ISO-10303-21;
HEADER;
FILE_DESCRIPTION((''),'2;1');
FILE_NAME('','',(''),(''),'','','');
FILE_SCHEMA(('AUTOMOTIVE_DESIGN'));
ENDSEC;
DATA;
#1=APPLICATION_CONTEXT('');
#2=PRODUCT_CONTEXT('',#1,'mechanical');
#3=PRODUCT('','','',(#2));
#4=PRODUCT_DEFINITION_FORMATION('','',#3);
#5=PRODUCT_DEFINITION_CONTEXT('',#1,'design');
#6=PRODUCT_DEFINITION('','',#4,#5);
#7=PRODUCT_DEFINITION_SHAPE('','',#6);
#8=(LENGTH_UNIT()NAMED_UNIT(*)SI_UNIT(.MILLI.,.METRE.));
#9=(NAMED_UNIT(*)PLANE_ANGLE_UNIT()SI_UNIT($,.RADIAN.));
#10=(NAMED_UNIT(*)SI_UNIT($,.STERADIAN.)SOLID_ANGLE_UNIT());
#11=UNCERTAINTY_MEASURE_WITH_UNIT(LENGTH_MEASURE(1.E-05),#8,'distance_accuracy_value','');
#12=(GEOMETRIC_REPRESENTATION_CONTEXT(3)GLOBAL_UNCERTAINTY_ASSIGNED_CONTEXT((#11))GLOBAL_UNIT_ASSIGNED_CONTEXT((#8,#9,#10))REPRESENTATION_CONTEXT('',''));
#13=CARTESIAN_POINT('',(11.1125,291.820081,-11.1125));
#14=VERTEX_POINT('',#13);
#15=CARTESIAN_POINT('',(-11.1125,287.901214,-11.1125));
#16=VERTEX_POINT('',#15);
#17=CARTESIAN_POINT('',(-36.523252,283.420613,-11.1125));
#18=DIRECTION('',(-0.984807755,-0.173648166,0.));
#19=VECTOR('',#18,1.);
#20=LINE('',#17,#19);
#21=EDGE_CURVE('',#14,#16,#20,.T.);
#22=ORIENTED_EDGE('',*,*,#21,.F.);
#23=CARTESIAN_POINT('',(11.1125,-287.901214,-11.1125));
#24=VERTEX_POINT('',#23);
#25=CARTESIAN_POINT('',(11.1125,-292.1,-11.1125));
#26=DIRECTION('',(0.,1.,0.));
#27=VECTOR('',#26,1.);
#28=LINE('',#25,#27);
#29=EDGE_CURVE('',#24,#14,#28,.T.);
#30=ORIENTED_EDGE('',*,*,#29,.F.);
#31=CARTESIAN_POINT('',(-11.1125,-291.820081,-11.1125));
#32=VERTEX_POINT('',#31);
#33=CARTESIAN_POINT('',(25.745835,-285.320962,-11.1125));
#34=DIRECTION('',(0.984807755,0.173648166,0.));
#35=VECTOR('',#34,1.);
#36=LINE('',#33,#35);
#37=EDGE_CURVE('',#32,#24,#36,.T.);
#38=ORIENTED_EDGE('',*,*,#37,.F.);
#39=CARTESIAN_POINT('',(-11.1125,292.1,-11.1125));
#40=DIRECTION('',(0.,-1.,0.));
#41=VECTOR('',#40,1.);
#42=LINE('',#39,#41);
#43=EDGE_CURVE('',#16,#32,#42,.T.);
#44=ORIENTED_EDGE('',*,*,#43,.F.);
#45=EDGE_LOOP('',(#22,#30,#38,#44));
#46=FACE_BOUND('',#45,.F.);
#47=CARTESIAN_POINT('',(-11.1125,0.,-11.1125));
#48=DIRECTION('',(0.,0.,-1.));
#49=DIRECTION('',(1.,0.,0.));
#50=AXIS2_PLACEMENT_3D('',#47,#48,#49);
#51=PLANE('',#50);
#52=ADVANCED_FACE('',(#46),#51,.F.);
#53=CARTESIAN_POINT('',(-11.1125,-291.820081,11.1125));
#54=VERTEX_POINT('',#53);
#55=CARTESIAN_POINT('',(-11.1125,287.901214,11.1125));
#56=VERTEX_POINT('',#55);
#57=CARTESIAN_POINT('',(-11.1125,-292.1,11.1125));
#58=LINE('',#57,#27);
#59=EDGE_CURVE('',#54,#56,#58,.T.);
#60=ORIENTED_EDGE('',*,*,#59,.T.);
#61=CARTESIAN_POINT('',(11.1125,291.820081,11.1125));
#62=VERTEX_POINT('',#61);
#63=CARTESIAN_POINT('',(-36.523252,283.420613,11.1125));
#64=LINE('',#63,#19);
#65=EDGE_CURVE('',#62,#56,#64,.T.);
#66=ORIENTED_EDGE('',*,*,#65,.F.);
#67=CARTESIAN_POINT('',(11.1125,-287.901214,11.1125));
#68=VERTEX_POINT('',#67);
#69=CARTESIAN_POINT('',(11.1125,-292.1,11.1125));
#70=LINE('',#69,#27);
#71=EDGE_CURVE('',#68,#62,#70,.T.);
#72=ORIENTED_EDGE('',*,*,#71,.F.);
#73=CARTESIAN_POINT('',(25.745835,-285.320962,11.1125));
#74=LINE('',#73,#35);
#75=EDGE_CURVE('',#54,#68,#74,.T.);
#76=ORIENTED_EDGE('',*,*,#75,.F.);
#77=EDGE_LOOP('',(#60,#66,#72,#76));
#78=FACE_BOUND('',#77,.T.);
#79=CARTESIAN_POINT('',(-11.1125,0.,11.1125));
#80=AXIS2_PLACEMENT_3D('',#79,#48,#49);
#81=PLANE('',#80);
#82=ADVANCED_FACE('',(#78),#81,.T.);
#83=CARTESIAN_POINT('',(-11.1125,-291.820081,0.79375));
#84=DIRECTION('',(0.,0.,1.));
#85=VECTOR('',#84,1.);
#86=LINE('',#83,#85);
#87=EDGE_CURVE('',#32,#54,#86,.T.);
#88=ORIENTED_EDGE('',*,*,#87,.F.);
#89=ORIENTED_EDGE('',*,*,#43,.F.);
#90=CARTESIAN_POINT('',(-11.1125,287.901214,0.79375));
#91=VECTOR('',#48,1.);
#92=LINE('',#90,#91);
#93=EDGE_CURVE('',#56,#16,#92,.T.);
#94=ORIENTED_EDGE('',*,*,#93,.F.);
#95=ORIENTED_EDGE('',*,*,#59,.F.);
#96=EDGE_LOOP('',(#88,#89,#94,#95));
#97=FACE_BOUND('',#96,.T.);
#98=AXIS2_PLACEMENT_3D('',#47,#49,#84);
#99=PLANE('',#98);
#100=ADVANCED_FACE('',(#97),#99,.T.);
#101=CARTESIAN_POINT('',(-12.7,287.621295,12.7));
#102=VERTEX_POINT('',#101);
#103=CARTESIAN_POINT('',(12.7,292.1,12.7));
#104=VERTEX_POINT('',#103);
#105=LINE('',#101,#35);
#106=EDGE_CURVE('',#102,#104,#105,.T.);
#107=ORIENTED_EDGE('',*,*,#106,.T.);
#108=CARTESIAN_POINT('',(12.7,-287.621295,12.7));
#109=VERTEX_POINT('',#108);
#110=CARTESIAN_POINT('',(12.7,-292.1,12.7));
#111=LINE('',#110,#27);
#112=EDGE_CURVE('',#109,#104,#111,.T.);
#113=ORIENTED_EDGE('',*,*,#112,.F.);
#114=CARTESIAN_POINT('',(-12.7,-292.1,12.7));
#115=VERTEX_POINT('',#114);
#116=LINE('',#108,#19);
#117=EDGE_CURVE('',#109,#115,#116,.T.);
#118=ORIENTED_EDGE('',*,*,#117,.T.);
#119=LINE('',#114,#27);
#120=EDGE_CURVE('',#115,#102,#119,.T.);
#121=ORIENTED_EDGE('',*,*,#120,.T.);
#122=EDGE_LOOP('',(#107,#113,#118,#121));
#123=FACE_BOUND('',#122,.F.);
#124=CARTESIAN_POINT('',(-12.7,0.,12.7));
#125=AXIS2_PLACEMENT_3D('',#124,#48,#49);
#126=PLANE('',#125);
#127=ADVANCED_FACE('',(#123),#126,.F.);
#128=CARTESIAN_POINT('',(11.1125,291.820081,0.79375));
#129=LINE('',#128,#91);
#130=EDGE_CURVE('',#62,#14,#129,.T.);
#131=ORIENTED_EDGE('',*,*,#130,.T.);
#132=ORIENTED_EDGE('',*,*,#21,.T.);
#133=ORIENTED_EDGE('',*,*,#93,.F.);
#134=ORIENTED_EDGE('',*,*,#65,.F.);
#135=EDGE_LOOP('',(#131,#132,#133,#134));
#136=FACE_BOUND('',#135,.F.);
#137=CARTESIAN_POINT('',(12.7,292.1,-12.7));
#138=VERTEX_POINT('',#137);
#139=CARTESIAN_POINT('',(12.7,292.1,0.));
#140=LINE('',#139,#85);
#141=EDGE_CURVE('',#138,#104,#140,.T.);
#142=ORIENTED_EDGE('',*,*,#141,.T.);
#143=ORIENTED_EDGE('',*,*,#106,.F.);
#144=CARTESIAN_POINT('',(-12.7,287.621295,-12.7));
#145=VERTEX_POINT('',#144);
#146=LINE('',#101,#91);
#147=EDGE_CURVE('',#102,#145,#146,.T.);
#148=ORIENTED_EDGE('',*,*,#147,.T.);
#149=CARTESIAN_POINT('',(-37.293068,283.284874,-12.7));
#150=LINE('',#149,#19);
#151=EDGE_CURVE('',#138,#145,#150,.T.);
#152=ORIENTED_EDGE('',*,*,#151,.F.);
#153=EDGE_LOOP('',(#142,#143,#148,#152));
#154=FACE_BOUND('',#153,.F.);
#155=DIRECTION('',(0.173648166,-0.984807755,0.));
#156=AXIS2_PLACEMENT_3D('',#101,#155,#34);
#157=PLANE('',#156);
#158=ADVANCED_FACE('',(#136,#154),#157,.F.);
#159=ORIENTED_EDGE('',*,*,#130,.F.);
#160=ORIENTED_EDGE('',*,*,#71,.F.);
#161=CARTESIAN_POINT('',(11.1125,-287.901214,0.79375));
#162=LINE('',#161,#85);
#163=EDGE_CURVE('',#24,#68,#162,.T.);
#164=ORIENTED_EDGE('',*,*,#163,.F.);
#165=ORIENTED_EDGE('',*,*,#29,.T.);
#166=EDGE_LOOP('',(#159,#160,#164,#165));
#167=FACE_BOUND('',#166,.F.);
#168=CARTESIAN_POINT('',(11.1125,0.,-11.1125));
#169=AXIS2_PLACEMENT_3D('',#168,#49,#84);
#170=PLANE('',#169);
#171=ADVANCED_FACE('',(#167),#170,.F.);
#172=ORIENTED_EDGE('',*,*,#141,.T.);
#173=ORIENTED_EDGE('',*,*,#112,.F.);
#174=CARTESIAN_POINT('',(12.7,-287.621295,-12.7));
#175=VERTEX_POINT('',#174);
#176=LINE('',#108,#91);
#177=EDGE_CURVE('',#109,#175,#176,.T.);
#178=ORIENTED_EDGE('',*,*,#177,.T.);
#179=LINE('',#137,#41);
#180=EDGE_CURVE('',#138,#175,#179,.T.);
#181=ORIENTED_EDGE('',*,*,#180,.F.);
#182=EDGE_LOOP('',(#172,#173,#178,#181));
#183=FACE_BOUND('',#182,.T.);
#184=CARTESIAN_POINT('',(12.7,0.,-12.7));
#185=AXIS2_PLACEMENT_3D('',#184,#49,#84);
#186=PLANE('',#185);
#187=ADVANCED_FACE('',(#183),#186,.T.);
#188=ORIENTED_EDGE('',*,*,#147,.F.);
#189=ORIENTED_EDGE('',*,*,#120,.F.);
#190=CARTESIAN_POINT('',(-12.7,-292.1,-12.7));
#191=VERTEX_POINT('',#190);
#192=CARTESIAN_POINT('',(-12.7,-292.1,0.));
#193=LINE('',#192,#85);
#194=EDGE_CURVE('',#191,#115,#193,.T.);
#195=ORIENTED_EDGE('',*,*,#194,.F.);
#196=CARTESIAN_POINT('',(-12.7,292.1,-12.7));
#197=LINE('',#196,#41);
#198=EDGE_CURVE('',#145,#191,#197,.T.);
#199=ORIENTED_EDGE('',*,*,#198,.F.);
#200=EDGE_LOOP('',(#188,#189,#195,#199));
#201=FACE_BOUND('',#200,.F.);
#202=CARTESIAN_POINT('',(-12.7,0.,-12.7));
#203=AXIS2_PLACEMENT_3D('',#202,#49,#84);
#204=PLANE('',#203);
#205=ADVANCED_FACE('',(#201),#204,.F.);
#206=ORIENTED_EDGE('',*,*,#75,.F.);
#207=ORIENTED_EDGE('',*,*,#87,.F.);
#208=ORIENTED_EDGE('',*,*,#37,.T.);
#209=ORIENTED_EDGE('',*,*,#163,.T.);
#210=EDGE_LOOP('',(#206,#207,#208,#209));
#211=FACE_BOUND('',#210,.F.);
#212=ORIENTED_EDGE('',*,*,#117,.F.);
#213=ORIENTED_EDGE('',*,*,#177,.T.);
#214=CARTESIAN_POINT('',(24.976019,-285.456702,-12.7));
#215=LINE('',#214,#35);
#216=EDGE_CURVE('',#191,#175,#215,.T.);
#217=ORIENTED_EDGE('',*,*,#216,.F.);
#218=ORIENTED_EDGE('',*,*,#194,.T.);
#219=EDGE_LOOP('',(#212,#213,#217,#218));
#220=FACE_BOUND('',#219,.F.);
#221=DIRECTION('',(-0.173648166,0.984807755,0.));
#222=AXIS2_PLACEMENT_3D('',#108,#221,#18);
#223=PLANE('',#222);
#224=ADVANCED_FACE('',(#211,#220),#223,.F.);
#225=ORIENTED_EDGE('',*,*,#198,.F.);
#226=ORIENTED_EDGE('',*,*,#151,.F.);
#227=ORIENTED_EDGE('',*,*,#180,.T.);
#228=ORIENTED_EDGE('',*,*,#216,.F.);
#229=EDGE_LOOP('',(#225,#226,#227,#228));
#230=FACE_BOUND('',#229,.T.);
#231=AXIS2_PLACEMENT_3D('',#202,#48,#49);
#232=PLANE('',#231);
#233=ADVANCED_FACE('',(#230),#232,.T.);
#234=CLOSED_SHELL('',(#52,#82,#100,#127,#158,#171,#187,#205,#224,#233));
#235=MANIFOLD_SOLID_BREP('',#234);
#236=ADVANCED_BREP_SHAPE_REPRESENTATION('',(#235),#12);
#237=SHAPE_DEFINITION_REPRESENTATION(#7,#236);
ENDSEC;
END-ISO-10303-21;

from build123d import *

# Parameters (mm, degrees)
F0_W     = 25.4
F0_H     = 25.4
F0_W_2   = 22.225
F0_H_2   = 22.225
F1_DEPTH = 292.1
F3_DEPTH = 25.401
F5_DEPTH = 25.401


with BuildPart() as f1:
    # F0 (on Front) → F1 (new body, symmetric)
    with BuildSketch(Plane.XZ):
        Rectangle(F0_W, F0_H)
        Rectangle(F0_W_2, F0_H_2, mode=Mode.SUBTRACT)
    extrude(amount=F1_DEPTH, both=True)

    # F2 (on face) → F3 (cut, through all)
    with BuildSketch(Plane.XY.offset(12.7)):
        Polygon((12.7, 292.1), (-12.7, 292.1), (-12.7, 287.621295), align=None)
    extrude(amount=-F3_DEPTH, mode=Mode.SUBTRACT)

    # F4 (on face) → F5 (cut, through all)
    with BuildSketch(Plane.XY.offset(12.7)):
        Polygon((12.7, -287.621295), (-12.7, -292.1), (12.7, -292.1), align=None)
    extrude(amount=-F5_DEPTH, mode=Mode.SUBTRACT)


solid = f1.part
